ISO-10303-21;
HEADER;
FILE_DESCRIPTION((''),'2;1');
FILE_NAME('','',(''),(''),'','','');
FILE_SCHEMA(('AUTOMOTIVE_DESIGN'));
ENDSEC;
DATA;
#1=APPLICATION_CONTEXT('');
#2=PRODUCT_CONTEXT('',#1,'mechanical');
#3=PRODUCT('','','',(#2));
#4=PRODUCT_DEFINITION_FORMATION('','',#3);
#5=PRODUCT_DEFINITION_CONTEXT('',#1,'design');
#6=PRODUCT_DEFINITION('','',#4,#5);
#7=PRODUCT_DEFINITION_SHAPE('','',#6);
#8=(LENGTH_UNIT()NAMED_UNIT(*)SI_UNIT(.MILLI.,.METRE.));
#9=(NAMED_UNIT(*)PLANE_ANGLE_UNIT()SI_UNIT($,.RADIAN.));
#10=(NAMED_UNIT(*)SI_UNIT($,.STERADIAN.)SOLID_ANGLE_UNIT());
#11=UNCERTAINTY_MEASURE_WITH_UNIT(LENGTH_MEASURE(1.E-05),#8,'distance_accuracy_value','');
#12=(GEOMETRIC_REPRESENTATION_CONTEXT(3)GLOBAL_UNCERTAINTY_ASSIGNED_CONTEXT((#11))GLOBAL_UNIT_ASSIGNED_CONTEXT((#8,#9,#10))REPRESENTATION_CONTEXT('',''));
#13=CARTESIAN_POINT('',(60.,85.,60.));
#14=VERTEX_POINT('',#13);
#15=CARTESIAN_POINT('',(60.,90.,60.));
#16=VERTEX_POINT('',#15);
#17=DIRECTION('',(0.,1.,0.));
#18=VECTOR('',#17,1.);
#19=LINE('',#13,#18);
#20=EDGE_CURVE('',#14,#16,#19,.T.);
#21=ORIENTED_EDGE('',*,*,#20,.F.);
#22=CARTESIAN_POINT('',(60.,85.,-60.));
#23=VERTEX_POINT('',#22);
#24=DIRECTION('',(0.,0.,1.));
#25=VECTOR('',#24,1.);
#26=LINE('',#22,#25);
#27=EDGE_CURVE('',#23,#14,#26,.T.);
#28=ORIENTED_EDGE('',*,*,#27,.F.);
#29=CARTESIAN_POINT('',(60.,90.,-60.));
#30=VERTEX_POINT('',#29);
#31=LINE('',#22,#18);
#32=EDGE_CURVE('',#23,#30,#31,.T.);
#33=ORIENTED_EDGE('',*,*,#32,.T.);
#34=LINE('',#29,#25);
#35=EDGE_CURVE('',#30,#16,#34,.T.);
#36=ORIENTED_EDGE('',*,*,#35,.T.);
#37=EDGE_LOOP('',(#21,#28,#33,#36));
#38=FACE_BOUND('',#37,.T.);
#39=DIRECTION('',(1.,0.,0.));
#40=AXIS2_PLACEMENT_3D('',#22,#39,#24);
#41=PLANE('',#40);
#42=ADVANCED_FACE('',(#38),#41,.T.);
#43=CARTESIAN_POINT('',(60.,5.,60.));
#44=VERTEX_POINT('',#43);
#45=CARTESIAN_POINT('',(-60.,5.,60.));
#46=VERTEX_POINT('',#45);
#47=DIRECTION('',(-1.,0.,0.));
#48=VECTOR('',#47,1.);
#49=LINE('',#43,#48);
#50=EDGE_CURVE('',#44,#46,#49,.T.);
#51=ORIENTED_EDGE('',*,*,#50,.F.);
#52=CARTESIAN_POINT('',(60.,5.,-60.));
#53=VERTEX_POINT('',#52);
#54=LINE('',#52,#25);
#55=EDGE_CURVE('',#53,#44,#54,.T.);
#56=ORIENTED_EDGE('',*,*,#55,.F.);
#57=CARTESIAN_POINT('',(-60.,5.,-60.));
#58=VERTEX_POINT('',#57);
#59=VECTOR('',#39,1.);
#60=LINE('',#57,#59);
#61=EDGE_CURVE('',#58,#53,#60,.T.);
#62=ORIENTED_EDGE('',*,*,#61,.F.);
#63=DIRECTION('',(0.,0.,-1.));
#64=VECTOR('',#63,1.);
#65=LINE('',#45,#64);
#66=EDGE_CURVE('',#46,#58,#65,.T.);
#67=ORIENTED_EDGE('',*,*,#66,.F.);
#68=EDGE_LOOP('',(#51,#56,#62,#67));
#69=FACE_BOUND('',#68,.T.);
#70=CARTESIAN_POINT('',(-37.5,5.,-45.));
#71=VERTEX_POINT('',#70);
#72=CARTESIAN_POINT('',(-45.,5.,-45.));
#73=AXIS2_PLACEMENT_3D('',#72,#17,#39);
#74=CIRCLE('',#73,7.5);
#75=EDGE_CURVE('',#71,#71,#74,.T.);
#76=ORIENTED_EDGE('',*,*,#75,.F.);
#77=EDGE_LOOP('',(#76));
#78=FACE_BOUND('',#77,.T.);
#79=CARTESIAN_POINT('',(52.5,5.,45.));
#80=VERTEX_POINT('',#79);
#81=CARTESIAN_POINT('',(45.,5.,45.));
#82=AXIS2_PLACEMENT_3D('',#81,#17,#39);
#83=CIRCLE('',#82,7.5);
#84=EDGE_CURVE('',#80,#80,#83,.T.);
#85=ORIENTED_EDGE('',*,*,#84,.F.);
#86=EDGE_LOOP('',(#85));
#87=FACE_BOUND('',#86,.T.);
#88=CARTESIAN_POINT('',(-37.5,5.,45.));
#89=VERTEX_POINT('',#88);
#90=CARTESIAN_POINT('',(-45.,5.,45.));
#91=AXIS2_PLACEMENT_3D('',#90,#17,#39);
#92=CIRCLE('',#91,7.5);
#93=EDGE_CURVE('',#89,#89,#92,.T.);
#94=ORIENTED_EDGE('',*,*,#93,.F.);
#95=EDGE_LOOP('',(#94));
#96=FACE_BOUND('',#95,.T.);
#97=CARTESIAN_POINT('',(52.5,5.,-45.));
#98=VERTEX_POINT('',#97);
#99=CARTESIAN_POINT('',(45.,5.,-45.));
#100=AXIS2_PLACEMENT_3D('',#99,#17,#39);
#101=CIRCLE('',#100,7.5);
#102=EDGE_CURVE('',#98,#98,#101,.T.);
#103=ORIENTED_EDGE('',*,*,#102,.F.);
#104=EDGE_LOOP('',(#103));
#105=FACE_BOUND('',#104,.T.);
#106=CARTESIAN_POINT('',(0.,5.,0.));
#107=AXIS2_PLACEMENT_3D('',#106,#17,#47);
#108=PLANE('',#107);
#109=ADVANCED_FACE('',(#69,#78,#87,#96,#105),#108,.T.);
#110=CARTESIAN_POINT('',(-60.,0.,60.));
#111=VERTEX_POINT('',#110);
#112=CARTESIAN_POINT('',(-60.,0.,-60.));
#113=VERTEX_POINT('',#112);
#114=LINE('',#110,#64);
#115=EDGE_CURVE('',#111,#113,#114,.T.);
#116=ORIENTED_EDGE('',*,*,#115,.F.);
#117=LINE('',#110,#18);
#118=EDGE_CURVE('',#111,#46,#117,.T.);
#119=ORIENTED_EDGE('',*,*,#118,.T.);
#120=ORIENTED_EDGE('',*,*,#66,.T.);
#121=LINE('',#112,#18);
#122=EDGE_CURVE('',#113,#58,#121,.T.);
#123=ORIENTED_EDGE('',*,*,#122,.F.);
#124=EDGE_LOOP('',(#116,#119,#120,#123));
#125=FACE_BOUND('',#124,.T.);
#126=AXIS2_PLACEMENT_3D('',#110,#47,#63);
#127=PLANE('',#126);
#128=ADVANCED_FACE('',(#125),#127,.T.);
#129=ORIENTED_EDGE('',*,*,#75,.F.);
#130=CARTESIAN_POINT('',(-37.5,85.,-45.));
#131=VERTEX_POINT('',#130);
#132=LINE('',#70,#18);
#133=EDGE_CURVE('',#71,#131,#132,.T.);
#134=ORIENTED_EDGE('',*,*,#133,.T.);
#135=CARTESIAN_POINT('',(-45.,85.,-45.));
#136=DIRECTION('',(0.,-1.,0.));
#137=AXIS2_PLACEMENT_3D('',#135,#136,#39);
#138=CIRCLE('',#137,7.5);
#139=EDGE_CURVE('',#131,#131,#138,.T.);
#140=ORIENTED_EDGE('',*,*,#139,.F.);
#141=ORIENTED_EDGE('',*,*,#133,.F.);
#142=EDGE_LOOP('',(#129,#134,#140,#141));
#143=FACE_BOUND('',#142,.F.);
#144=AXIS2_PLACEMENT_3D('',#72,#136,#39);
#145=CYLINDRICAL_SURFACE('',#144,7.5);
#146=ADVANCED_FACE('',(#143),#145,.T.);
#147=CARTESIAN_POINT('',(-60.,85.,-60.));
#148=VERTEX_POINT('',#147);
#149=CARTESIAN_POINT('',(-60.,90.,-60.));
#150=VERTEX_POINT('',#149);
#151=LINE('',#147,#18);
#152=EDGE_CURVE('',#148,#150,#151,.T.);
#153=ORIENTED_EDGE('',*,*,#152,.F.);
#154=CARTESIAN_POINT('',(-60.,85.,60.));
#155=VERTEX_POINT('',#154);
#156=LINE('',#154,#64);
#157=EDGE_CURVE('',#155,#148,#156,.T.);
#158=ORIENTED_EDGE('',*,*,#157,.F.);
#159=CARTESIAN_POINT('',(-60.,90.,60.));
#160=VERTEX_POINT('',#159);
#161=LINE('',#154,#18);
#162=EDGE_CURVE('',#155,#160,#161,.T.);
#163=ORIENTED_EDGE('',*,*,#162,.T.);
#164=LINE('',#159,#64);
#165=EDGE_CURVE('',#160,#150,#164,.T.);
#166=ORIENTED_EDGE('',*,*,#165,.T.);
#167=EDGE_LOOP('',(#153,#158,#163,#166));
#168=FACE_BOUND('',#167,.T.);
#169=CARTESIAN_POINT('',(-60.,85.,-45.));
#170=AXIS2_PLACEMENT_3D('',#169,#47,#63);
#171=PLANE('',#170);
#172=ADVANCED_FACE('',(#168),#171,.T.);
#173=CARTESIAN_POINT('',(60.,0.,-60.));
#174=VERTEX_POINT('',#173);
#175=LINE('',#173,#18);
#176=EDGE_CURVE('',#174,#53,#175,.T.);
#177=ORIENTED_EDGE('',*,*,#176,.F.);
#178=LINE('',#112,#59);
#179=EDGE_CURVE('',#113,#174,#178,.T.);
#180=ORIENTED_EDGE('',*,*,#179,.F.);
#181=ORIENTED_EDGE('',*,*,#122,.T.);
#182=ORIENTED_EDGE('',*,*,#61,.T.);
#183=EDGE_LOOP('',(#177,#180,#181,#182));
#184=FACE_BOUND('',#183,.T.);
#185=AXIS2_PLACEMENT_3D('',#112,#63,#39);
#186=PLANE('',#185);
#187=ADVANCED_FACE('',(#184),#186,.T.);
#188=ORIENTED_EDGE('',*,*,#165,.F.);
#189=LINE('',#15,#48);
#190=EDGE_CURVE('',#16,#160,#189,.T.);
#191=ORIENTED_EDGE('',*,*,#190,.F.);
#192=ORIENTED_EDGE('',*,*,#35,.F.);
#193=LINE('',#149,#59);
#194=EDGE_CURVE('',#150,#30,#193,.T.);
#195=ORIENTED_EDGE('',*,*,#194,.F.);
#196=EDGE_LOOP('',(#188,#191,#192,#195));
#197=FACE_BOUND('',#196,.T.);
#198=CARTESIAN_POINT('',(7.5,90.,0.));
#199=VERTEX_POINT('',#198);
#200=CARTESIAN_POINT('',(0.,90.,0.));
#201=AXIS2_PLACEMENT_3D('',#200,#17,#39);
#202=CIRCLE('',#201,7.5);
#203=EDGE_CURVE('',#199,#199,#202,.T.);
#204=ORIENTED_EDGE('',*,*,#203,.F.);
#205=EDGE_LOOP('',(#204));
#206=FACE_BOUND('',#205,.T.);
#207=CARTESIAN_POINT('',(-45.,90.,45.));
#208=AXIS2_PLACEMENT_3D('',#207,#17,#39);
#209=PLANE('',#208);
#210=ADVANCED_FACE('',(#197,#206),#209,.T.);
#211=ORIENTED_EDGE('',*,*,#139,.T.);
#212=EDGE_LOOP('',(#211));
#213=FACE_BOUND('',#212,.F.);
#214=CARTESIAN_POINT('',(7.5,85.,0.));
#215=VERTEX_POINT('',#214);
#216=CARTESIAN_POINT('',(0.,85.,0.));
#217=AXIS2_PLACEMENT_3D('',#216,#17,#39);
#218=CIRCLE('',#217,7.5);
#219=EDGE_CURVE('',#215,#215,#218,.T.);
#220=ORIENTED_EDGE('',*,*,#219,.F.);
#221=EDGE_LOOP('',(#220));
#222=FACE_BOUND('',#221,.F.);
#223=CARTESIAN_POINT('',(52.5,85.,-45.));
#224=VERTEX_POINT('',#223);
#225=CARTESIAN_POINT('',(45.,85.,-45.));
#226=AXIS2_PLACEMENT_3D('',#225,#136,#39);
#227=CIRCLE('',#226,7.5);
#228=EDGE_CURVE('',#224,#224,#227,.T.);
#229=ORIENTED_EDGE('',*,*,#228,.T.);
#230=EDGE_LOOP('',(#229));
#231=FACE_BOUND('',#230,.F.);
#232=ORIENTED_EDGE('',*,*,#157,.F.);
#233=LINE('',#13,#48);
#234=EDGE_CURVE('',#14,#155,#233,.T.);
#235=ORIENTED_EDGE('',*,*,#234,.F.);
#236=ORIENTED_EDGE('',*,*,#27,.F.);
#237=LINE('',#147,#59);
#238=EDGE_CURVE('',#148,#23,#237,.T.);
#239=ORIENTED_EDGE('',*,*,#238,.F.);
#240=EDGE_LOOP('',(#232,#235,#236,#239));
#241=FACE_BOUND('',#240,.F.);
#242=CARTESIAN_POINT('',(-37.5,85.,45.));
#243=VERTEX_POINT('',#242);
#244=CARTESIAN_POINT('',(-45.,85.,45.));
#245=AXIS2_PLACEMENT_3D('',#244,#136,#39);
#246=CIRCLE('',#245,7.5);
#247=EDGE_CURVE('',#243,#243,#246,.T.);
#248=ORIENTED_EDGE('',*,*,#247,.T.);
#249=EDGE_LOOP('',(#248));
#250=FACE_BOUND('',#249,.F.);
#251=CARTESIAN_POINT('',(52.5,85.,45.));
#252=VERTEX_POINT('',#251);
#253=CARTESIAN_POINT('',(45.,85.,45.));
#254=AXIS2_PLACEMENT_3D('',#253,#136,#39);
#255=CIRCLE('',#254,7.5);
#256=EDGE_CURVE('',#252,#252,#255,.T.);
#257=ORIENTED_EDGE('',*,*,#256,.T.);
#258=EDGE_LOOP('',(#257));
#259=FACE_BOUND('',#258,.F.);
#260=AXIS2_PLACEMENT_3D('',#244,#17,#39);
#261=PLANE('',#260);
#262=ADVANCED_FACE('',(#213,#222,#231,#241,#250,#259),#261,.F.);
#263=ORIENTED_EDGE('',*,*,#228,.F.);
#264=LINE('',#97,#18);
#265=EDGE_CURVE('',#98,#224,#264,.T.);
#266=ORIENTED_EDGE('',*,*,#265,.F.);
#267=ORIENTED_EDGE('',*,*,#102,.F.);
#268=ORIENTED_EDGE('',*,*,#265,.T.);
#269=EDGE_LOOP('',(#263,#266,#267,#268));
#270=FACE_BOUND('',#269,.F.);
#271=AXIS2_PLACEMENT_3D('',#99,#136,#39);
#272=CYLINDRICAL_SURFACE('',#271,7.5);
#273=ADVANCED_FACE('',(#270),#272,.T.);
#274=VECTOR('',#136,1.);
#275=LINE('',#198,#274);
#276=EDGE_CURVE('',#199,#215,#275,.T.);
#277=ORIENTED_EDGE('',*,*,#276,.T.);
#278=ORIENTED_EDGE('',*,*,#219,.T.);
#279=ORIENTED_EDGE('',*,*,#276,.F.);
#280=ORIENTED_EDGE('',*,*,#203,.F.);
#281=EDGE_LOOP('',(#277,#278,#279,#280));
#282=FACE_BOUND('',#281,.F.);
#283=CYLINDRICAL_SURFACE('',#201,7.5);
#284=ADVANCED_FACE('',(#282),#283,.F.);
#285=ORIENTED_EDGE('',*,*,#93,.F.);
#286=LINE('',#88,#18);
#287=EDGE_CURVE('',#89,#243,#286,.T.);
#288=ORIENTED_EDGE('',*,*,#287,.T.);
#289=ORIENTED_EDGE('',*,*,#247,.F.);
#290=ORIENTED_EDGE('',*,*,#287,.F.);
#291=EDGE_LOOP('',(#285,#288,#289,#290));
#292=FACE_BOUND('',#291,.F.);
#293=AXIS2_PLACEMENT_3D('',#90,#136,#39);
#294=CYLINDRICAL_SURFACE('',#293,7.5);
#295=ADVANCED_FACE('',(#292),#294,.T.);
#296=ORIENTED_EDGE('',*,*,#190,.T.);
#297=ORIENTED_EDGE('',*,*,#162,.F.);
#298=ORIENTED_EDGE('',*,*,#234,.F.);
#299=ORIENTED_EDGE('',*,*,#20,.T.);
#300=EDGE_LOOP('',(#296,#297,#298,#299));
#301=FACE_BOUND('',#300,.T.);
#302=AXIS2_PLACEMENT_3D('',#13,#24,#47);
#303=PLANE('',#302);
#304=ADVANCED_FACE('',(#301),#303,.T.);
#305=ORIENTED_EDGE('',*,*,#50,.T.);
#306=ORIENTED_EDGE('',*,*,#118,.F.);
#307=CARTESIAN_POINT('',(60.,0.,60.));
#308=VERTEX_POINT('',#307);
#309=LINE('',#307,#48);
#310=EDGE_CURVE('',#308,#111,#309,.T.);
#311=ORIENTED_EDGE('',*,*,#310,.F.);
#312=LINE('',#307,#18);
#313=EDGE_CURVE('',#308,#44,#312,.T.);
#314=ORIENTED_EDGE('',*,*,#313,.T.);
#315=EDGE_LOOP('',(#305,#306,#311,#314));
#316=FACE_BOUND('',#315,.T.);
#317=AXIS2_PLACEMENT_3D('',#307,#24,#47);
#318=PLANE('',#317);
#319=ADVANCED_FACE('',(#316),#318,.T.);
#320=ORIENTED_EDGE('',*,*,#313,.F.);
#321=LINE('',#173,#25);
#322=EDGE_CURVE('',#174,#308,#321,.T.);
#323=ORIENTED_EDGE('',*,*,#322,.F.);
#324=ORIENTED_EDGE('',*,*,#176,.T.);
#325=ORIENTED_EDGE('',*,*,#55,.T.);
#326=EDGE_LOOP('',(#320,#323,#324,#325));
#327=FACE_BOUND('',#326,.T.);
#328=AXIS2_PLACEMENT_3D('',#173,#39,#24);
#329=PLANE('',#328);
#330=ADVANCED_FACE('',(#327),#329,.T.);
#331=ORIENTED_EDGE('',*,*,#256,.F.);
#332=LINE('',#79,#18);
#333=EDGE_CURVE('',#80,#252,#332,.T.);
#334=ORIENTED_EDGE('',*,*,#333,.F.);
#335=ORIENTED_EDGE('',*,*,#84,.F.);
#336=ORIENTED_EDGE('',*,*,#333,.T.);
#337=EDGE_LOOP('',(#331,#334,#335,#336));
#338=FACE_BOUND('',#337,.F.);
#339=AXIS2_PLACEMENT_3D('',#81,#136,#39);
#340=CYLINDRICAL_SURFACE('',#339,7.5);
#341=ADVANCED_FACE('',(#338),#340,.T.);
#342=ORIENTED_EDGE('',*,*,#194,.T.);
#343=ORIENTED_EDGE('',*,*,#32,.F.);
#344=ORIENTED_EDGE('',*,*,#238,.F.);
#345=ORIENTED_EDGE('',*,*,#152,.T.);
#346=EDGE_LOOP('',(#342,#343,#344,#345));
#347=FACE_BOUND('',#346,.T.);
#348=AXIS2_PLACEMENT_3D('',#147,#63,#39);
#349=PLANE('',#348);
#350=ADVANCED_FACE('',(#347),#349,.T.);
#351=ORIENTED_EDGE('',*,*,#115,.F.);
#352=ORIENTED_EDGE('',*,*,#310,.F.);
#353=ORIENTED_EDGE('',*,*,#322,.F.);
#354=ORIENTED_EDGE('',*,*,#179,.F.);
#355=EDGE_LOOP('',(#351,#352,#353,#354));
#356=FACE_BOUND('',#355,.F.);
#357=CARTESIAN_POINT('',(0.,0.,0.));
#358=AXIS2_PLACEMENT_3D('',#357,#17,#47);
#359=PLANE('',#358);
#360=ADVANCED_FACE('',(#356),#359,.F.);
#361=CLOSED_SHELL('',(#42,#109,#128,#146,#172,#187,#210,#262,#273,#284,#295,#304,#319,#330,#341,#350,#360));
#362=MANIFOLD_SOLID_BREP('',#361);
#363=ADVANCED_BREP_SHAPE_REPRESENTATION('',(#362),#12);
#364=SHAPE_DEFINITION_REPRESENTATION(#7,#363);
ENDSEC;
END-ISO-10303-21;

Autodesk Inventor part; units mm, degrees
ref_plane "YZ Plane" through (0, 0, 0) normal (1, 0, 0) x (0, 1, 0)
ref_plane "XZ Plane" through (0, 0, 0) normal (0, 1, 0) x (-1, 0, 0)
ref_plane "XY Plane" through (0, 0, 0) normal (0, 0, 1) x (1, 0, 0)
sketch "Boceto1" plane through (0, 0, 0) normal (0, 1, 0) x (-1, 0, 0)
  line L0 (60, -60) -> (-60, -60)
  line L1 (-60, -60) -> (-60, 60)
  line L2 (-60, 60) -> (60, 60)
  line L3 (60, 60) -> (60, -60)
  line L4 (60, -60) -> (-60, 60) construction
  line L5 (-60, -60) -> (60, 60) construction
  point P0 (0, 0)
  dimension "d0" = 120
  dimension "d1" = 120
extrude "Extrusión1" add sketch "Boceto1" along normal blind 5
sketch "Boceto2" plane through (0, 5, 0) normal (0, 1, 0) x (1, 0, 0)
  line L0 (45, -45) -> (-45, -45)
  line L1 (-45, -45) -> (-45, 45)
  line L2 (-45, 45) -> (45, 45)
  line L3 (45, 45) -> (45, -45)
  line L4 (45, -45) -> (-45, 45) construction
  line L5 (-45, -45) -> (45, 45) construction
  circle A0 centre (-45, 45) radius 7.5
  circle A1 centre (45, 45) radius 7.5
  circle A2 centre (-45, -45) radius 7.5
  circle A3 centre (45, -45) radius 7.5
  point P0 (0, 0)
  dimension "d4" = 90
  dimension "d5" = 90
  dimension "d6" = 15
  dimension "d7" = 15
  dimension "d8" = 15
  dimension "d9" = 15
extrude "Extrusión2" add sketch "Boceto2" along normal blind 80 contours A2 L1 L0 | L0 L1 A2 | A3 L3 L0 | L0 L3 A3 | A0 L2 L1 | L1 L2 A0 | A1 L2 L3 | L3 L2 A1
sketch "Boceto3" plane through (-45, 85, 45) normal (0, 1, 0) x (1, 0, 0)
  circle A0 centre (90, 90) radius 7.5 projected
  line L0 (90, 90) -> (-30, 90)
  line L1 (-30, 90) -> (-30, -30)
  line L2 (-30, -30) -> (90, -30)
  line L3 (90, -30) -> (90, 90)
  line L4 (-15, 105) -> (105, 105)
  line L5 (105, 105) -> (105, -15)
  line L6 (105, -15) -> (-15, -15)
  line L7 (-15, -15) -> (-15, 105)
  line L8 (-15, 105) -> (105, -15) construction
  line L9 (105, 105) -> (-15, -15) construction
  point P0 (45, 45)
  dimension "d12" = 120
  dimension "d13" = 120
extrude "Extrusión3" add sketch "Boceto3" along normal blind 5 contours A0 L3 L0 | A0 L0 L7 L4 L5 L6 L3 | L0 L3 A0 | A0 L3 L6 L7 L0
sketch "Boceto4" plane through (-45, 90, 45) normal (0, 1, 0) x (1, 0, 0)
  circle A0 centre (45, 45) radius 7.5
  dimension "d16" = 15
extrude "Extrusión4" cut sketch "Boceto4" against normal blind 10
properties part number "Central_base" material "Plástico ABS"
